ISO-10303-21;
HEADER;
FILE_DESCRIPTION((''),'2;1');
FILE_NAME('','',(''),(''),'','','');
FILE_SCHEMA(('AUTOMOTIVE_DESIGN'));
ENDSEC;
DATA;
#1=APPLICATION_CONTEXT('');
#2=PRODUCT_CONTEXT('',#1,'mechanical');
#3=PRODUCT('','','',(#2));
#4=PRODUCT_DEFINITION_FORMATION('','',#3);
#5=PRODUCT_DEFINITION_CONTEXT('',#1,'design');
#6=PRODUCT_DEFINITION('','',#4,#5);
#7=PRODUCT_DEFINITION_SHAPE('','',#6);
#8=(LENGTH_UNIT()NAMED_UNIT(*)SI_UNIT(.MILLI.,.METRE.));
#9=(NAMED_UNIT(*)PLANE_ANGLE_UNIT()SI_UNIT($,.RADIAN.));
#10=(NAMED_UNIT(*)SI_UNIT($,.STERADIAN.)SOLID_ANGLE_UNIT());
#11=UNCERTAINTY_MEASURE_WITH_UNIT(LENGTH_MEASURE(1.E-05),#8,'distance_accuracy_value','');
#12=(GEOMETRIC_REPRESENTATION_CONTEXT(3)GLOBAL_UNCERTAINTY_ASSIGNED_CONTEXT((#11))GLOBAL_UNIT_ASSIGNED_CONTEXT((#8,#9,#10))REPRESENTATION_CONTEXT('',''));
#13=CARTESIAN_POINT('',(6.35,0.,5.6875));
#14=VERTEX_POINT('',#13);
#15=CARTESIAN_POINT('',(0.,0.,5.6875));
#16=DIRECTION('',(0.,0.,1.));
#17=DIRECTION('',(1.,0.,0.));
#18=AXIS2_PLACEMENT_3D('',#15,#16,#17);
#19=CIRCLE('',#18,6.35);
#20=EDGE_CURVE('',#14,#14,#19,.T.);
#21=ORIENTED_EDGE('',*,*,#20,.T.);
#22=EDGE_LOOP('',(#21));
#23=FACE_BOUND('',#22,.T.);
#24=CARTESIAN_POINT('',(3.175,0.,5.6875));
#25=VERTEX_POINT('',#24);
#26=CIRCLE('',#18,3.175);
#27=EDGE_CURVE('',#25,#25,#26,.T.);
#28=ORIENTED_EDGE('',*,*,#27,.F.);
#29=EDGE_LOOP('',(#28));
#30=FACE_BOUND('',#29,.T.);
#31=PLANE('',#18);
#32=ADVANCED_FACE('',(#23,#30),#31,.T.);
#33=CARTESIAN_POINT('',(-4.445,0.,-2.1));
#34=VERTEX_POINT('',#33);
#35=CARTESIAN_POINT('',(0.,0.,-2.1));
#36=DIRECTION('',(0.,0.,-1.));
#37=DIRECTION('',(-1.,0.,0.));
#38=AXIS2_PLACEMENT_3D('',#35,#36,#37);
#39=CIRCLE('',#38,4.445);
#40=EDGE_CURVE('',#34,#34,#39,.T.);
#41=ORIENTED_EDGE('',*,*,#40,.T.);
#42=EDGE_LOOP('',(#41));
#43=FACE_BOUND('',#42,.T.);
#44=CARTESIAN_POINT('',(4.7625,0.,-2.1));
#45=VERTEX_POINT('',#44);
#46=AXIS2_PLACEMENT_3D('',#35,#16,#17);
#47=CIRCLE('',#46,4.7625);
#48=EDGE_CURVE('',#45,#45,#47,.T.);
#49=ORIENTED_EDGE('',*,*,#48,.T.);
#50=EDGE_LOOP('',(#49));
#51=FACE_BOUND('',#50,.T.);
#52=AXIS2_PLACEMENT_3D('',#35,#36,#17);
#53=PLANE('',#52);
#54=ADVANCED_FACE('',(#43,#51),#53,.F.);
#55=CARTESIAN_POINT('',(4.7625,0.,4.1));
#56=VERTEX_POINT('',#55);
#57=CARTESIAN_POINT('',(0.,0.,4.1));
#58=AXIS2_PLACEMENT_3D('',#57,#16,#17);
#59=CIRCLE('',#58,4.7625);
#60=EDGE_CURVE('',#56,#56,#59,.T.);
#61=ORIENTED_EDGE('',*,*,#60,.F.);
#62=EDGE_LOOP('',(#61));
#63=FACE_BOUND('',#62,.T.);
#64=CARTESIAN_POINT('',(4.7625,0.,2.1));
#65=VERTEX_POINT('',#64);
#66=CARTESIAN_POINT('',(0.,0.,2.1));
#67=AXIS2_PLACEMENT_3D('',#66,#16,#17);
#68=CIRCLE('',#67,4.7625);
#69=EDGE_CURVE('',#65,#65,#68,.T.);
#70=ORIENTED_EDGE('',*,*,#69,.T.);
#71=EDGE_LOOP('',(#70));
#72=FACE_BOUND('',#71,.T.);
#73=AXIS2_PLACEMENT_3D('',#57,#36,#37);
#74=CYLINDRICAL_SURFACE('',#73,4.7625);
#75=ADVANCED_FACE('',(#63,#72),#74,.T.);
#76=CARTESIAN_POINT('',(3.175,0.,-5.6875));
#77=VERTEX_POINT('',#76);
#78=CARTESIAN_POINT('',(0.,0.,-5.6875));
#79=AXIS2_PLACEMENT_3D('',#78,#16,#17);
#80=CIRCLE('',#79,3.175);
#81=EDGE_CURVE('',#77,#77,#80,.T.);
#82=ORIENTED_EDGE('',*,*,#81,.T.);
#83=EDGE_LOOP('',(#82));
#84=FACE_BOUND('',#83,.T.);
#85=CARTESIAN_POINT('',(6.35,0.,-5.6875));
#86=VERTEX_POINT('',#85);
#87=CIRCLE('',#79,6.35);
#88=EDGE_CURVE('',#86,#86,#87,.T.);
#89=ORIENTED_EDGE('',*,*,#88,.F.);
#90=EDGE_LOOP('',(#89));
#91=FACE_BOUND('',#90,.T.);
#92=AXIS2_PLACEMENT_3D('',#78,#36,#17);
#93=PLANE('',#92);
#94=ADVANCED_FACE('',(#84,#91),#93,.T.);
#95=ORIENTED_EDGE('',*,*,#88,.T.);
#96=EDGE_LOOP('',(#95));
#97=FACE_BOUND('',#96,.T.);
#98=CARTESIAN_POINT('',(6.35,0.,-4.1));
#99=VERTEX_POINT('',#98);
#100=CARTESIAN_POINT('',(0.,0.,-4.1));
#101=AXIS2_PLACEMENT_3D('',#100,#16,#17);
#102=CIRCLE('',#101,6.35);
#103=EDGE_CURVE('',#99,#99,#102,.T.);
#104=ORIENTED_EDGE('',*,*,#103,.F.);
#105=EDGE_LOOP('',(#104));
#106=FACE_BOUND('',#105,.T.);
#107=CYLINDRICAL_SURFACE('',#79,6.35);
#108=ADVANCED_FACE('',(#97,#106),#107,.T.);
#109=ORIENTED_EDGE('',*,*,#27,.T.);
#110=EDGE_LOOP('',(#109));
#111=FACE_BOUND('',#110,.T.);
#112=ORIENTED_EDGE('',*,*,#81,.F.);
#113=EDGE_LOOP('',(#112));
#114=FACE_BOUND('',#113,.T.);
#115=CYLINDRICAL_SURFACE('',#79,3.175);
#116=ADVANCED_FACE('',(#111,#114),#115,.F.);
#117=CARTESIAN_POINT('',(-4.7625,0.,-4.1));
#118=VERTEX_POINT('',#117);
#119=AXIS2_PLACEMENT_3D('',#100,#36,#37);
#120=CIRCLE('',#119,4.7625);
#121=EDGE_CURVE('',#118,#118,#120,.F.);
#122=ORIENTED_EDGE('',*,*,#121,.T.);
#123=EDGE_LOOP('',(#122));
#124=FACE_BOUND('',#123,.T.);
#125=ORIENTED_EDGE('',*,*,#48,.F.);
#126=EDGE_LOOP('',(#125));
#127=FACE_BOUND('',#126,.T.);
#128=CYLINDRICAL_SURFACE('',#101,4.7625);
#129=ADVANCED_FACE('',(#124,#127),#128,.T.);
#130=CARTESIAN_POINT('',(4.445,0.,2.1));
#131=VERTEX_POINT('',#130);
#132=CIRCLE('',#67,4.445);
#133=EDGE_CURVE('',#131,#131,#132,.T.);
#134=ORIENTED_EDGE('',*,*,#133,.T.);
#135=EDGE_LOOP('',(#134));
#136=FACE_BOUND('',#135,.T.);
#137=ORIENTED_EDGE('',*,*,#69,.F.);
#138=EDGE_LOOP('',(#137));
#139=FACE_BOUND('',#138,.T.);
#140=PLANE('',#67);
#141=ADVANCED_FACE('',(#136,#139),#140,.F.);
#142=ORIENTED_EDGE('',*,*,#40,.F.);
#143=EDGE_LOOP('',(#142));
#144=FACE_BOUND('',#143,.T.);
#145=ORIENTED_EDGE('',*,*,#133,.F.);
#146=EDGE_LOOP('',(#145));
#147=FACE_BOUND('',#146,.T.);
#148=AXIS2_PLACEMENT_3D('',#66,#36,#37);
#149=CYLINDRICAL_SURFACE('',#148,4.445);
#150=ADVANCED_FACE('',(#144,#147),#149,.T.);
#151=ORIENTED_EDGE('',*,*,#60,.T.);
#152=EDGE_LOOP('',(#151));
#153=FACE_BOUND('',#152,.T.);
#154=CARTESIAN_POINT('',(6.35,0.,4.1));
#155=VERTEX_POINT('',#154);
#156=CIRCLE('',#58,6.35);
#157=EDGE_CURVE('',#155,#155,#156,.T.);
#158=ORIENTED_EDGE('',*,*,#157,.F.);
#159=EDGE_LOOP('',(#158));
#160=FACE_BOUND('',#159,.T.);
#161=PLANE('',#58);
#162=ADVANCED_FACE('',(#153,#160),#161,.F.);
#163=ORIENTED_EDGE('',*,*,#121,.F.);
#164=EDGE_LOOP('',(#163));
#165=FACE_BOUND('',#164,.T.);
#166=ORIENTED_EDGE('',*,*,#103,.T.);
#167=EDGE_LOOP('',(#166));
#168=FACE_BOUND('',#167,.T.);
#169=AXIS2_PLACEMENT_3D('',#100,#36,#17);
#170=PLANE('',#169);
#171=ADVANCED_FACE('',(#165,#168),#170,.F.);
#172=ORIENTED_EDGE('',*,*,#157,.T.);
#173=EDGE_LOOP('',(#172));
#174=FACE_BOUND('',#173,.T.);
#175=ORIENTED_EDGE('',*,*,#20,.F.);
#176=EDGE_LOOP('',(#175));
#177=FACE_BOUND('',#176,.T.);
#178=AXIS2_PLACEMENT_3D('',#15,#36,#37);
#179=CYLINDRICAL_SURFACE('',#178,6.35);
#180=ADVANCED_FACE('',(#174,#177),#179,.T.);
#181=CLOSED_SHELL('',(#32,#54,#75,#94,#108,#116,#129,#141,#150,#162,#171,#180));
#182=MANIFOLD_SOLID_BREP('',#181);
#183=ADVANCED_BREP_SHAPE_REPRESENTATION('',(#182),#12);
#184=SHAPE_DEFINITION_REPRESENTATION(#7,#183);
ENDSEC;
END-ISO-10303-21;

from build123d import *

# Parameters (mm, degrees)
SKETCH1_R           = 4.445
BOSS_EXTRUDE1_DEPTH = 2.1
SKETCH2_R           = 4.7625
BOSS_EXTRUDE2_DEPTH = 2
SKETCH4_R           = 6.35
BOSS_EXTRUDE4_DEPTH = 1.5875
SKETCH5_R           = 3.175
CUT_EXTRUDE1_DEPTH  = 12.375


with BuildPart() as part:
    # Sketch1 → Boss-Extrude1 (new body)
    with BuildSketch(Plane.XY):
        Circle(SKETCH1_R)
    boss_extrude1 = extrude(amount=BOSS_EXTRUDE1_DEPTH)

    # Sketch2 → Boss-Extrude2 (add)
    with BuildSketch(Plane.XY.offset(2.1)):
        Circle(SKETCH2_R)
    boss_extrude2 = extrude(amount=BOSS_EXTRUDE2_DEPTH)

    # Sketch4 → Boss-Extrude4 (add)
    with BuildSketch(Plane.XY.offset(4.1)):
        Circle(SKETCH4_R)
    boss_extrude4 = extrude(amount=BOSS_EXTRUDE4_DEPTH)

    # Mirror1: Boss-Extrude1, Boss-Extrude2, Boss-Extrude4 across plane
    add(boss_extrude1.mirror(Plane.XY))
    add(boss_extrude2.mirror(Plane.XY))
    add(boss_extrude4.mirror(Plane.XY))

    # Sketch5 → Cut-Extrude1 (cut, through all)
    with BuildSketch(Plane.XY.offset(5.6875)):
        Circle(SKETCH5_R)
    extrude(amount=-CUT_EXTRUDE1_DEPTH, mode=Mode.SUBTRACT)


solid = part.part
